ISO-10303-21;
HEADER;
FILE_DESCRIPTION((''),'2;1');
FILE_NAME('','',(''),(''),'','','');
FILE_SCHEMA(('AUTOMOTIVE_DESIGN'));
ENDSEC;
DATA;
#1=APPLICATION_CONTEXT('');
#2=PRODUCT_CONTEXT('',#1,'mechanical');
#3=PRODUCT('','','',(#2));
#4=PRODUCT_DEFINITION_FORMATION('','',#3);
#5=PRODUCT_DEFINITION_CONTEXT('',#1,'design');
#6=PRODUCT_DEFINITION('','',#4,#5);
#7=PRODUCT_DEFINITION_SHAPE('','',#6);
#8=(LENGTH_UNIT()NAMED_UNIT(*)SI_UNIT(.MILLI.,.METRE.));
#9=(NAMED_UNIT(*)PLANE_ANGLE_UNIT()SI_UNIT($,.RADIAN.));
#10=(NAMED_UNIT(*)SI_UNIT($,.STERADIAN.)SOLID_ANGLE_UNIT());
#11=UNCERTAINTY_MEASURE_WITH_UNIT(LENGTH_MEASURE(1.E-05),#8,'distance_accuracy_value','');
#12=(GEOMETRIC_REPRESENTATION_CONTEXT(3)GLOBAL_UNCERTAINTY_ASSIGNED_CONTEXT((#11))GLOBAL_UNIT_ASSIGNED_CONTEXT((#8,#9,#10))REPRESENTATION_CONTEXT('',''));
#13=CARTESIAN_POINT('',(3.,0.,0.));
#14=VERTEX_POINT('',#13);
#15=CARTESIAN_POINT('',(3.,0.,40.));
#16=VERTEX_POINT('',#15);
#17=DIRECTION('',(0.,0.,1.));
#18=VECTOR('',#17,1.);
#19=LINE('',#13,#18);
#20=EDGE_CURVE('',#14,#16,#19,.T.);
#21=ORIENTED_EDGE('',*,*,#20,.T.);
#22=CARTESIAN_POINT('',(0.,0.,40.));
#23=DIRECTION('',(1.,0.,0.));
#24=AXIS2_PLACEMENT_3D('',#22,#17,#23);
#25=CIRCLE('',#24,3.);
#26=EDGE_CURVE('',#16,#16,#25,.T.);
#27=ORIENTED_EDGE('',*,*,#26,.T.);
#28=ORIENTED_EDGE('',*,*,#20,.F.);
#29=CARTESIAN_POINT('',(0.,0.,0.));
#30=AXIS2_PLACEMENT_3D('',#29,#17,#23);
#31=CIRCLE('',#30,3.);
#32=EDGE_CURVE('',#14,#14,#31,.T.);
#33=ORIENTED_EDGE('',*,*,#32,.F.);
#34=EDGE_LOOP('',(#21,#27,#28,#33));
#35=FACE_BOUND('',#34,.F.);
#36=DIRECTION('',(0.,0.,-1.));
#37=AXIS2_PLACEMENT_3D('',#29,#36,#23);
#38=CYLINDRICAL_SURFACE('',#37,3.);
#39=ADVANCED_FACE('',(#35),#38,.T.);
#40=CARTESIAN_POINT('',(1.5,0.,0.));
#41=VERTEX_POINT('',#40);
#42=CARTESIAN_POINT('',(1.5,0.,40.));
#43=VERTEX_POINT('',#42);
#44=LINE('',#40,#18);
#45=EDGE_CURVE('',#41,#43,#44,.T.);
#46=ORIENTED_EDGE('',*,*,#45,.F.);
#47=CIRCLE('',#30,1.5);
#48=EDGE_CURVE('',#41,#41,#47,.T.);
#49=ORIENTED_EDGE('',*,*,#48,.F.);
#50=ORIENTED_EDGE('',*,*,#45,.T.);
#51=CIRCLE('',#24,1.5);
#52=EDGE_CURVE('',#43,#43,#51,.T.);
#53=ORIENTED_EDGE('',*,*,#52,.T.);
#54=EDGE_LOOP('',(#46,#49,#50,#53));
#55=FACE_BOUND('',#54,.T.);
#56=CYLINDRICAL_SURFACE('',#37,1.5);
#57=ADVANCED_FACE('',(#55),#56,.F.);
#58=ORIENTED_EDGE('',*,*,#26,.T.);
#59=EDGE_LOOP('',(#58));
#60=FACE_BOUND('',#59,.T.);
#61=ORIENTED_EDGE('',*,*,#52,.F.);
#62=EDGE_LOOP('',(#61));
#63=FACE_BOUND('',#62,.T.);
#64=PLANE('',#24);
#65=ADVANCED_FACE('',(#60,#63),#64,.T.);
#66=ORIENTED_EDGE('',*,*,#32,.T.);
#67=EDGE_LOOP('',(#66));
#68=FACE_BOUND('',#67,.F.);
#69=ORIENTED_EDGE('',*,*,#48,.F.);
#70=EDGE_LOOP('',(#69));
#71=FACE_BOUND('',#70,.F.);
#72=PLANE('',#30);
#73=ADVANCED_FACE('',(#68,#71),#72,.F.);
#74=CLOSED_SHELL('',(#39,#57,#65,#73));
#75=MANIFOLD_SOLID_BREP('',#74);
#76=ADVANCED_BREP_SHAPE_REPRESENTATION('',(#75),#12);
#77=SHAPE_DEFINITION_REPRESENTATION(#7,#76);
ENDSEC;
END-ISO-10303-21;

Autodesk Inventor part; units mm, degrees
ref_plane "YZ Plane" through (0, 0, 0) normal (1, 0, 0) x (0, 1, 0)
ref_plane "XZ Plane" through (0, 0, 0) normal (0, 1, 0) x (-1, 0, 0)
ref_plane "XY Plane" through (0, 0, 0) normal (0, 0, 1) x (1, 0, 0)
sketch "スケッチ1" plane through (0, 0, 0) normal (0, 0, 1) x (1, 0, 0)
  circle A0 centre (0, 0) radius 3
  circle A1 centre (0, 0) radius 1.5
  dimension "d0" = 6
  dimension "d1" = 3
extrude "押し出し1" add sketch "スケッチ1" along normal blind 40
properties part number "スペーサーm3-40　簡易筒型" material "アルミニウム 2014-T4"
